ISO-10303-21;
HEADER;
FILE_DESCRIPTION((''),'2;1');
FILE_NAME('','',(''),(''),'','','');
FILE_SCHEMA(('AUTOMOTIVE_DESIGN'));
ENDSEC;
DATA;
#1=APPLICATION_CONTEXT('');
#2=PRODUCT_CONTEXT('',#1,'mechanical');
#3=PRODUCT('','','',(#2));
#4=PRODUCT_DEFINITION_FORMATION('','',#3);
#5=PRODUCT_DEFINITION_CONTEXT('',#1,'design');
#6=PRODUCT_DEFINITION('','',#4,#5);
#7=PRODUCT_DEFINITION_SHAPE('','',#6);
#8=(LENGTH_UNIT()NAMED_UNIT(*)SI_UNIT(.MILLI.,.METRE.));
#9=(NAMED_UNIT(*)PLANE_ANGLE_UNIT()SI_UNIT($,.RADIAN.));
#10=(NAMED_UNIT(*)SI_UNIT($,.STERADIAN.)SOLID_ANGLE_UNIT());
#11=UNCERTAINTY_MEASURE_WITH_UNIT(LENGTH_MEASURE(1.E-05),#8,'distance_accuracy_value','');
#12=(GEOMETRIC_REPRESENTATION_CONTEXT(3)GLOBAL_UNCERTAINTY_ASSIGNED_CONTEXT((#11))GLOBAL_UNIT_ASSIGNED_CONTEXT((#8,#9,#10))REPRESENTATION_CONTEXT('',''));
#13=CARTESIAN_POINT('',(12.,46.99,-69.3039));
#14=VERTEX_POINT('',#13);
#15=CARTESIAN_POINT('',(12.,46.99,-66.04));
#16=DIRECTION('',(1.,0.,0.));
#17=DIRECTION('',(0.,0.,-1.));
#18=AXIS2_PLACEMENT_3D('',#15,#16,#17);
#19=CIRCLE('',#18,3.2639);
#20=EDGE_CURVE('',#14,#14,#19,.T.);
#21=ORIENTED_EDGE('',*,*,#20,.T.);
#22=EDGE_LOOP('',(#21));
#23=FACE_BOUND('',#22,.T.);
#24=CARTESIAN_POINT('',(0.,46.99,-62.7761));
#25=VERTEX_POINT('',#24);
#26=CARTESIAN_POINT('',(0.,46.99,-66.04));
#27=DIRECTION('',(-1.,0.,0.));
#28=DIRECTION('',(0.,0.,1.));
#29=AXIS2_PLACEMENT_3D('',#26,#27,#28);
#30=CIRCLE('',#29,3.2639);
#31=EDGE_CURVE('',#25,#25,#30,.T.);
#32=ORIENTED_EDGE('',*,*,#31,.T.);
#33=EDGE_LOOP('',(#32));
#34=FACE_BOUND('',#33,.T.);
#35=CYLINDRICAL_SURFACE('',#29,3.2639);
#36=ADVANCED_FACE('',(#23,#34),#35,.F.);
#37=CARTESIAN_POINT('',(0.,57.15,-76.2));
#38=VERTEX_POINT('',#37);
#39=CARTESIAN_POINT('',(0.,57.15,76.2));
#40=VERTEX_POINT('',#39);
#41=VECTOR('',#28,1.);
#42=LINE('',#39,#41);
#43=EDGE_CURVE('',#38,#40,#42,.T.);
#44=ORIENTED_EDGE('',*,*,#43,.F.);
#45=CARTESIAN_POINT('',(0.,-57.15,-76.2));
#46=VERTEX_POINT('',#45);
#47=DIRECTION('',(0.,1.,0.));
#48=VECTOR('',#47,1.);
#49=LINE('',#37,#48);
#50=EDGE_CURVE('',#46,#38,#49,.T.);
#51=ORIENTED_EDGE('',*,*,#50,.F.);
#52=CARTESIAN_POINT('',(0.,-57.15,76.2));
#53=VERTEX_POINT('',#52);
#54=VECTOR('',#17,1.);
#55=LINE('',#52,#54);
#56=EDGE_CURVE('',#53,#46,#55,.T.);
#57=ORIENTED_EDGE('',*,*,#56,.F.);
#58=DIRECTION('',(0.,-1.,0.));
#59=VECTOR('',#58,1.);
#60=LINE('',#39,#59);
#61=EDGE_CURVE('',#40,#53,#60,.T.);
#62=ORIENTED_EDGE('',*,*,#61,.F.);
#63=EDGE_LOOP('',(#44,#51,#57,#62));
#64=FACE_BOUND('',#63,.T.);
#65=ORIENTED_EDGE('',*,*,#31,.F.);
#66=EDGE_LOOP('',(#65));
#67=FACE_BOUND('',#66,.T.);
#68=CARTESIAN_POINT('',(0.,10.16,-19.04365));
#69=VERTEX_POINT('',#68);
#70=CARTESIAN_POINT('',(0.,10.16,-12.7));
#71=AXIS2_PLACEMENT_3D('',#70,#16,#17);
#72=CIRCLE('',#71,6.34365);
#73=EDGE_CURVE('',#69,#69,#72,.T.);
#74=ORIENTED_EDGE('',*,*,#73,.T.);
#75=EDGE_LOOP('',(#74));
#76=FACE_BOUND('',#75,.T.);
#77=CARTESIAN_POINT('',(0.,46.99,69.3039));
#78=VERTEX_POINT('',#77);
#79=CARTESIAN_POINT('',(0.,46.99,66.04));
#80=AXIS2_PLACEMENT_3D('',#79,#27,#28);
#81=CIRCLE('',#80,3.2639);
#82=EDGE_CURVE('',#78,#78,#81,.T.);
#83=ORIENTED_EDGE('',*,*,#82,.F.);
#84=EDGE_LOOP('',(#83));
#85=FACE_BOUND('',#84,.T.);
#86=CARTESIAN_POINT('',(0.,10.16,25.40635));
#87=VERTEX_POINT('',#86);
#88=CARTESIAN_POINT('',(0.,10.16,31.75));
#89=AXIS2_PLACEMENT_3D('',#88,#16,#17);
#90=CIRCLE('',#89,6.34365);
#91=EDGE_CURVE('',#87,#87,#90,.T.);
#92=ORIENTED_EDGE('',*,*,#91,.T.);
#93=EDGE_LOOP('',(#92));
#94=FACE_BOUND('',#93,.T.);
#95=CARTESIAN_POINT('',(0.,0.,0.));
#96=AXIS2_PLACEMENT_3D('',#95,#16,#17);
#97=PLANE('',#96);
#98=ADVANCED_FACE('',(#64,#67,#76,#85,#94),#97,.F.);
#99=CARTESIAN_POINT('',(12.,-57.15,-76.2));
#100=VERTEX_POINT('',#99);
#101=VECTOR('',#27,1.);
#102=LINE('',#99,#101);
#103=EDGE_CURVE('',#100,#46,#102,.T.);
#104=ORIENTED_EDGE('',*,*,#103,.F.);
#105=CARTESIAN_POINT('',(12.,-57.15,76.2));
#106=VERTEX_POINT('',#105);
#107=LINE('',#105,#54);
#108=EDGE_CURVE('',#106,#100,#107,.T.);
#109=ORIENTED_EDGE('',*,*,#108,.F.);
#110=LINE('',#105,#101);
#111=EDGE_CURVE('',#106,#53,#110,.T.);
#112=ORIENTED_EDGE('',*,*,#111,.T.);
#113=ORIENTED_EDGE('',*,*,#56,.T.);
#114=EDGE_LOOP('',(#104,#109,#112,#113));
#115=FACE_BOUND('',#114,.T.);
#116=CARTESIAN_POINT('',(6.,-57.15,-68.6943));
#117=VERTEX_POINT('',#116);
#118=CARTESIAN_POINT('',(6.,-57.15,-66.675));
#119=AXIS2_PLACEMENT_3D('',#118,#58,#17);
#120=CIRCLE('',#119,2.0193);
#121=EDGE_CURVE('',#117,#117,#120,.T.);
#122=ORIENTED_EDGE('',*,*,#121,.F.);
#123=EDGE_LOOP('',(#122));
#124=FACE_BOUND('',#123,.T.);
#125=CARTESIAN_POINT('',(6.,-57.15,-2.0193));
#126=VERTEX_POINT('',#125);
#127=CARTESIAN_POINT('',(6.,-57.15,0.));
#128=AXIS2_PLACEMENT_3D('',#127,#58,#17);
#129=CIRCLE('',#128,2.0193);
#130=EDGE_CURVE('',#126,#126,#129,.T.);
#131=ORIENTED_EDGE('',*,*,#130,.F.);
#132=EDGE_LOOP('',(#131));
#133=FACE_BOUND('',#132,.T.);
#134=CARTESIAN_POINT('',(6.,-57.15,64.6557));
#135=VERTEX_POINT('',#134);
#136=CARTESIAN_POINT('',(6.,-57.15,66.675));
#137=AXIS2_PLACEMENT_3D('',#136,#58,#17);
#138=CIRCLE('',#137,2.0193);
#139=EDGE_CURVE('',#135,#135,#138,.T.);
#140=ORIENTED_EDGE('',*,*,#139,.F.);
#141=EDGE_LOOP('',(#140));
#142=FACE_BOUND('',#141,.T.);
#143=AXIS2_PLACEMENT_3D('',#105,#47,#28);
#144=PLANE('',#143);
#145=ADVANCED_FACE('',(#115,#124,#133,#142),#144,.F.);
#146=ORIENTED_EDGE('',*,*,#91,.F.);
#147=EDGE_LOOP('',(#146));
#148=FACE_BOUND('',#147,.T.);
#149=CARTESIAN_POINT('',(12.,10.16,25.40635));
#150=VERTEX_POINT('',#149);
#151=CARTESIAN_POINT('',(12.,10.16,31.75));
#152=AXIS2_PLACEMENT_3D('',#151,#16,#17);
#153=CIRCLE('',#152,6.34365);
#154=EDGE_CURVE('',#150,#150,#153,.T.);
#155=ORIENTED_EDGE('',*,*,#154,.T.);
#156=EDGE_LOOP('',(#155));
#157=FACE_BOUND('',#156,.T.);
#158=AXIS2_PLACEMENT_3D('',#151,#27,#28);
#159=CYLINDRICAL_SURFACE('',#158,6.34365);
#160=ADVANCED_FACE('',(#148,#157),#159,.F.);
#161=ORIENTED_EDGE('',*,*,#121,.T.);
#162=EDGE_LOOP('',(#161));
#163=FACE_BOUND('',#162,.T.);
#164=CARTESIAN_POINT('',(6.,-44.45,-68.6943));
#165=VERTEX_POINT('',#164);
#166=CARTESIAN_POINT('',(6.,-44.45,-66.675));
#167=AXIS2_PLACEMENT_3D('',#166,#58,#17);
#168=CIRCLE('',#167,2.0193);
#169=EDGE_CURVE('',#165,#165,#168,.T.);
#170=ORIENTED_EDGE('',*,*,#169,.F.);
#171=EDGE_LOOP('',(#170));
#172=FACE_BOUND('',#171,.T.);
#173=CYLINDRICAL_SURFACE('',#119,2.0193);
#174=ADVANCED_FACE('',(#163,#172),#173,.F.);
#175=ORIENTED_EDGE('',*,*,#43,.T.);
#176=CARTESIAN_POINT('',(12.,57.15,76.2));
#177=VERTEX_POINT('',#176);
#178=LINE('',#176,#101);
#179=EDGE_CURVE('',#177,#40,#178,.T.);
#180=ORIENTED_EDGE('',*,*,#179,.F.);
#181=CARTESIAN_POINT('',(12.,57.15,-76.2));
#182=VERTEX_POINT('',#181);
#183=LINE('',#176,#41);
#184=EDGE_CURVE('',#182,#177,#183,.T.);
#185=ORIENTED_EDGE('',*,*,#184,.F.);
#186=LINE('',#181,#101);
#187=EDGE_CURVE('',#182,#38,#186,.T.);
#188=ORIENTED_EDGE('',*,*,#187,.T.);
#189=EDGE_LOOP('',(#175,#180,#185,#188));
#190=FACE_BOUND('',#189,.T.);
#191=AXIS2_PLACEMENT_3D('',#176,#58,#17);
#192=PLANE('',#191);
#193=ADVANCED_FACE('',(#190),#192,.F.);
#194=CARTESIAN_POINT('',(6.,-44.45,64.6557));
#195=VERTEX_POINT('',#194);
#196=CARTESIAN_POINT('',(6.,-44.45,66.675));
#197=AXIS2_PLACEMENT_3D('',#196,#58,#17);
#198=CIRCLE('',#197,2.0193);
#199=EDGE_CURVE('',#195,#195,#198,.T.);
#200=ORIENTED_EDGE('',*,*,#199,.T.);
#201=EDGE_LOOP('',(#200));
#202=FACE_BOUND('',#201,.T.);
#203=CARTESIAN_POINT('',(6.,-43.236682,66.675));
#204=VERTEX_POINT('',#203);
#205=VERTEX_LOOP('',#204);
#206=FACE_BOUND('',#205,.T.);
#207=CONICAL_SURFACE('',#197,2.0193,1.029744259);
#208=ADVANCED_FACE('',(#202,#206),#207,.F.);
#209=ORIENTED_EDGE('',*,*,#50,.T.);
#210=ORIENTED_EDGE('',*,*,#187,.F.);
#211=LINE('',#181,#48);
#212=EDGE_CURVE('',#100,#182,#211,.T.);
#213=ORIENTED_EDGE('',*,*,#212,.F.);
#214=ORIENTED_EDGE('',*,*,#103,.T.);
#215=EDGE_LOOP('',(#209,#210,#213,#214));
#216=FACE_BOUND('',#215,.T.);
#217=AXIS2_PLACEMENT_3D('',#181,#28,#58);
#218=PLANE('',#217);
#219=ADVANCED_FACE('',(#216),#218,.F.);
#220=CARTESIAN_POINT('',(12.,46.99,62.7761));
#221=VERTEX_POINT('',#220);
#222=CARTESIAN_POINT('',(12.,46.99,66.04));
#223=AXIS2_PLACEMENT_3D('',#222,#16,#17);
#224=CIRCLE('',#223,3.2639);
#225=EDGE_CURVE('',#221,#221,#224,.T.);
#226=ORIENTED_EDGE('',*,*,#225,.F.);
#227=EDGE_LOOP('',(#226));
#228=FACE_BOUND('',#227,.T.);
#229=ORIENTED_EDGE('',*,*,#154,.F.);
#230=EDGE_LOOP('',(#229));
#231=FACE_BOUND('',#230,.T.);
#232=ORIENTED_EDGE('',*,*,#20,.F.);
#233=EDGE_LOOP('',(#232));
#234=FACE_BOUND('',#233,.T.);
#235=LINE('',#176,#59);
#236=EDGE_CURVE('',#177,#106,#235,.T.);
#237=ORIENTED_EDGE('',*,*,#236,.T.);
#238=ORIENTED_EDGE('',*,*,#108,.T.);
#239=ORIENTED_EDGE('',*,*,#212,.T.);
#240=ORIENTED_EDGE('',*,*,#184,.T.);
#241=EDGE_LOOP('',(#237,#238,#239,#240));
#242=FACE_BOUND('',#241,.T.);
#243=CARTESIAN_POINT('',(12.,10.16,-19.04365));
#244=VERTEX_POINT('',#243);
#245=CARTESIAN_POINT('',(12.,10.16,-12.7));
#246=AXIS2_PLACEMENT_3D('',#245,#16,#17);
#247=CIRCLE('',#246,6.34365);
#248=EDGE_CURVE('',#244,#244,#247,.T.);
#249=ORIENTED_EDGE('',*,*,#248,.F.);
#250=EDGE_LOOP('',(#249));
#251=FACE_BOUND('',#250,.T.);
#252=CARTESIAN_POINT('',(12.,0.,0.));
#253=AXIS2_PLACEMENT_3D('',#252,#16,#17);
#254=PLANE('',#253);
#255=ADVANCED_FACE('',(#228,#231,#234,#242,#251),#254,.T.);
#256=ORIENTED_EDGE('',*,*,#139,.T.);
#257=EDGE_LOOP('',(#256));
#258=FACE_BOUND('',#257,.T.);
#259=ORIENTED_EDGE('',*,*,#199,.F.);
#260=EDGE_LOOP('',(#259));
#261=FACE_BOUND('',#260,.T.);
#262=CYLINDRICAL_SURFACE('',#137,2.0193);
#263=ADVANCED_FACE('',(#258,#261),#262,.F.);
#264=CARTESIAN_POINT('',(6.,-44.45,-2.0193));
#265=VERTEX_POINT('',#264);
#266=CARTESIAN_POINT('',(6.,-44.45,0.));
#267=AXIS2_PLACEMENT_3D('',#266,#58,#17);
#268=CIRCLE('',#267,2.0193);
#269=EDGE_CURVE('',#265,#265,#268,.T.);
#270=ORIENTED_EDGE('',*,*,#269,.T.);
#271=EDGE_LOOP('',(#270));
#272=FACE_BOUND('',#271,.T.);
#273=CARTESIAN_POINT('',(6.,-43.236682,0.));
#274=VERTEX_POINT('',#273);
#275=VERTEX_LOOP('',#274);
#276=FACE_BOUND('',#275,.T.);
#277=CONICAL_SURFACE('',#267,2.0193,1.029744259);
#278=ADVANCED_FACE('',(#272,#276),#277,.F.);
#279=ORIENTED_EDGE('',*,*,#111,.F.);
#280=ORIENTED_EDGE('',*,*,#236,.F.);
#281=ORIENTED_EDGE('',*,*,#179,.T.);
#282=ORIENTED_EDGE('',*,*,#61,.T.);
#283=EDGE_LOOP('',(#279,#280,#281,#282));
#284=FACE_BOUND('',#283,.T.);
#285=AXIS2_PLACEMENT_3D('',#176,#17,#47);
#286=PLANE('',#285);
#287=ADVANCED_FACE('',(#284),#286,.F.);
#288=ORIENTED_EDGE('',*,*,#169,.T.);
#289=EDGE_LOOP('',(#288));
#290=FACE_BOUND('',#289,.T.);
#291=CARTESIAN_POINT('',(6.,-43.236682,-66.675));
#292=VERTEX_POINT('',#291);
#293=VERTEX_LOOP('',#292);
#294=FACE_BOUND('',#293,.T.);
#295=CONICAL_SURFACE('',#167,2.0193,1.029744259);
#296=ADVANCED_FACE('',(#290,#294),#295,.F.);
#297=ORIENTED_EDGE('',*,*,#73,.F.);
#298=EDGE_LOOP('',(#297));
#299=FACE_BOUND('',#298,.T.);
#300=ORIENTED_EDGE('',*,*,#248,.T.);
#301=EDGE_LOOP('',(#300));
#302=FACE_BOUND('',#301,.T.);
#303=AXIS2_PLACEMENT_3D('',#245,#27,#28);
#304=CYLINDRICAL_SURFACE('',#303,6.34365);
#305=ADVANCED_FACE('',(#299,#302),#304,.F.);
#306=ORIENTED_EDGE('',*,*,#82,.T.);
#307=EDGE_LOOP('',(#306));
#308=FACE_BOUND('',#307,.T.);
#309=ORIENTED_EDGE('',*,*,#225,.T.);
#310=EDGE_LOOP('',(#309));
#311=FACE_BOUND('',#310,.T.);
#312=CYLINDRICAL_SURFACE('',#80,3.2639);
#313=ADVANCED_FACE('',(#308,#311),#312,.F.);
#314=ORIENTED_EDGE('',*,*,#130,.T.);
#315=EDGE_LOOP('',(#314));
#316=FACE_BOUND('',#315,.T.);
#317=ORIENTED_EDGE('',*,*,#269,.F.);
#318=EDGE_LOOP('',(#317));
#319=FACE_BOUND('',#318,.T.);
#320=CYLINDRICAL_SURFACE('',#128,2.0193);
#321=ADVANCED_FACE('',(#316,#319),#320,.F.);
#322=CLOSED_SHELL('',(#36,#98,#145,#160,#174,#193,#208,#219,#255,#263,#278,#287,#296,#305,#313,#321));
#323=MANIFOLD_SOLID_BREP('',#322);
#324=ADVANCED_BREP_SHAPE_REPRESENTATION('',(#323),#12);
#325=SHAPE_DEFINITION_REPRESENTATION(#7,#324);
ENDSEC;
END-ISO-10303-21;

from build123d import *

# Parameters (mm, degrees)
SKETCH1_W                      = 152.4
SKETCH1_H                      = 114.3
SKETCH1_R                      = 6.34365
BOSS_EXTRUDE1_DEPTH            = 12
TAP_DRILL_FOR_10_32_TAP1_D     = 4.0386
TAP_DRILL_FOR_10_32_TAP1_DEPTH = 12.7
TAP_DRILL_FOR_10_32_TAP1_TIP   = 1.213317848
F_1_4_CLEARANCE_HOLE1_D        = 6.5278
F_1_4_CLEARANCE_HOLE1_DEPTH    = 12.7
F_1_4_CLEARANCE_HOLE1_TIP      = 1.961148974


with BuildPart() as part:
    # Sketch1 → Boss-Extrude1 (new body)
    with BuildSketch(Plane(origin=(0, 0, 0), x_dir=(0, 0, -1), z_dir=(1, 0, 0))):
        Rectangle(SKETCH1_W, SKETCH1_H)
        with Locations((-31.75, 10.16)):
            Circle(SKETCH1_R, mode=Mode.SUBTRACT)
        with Locations((12.7, 10.16)):
            Circle(SKETCH1_R, mode=Mode.SUBTRACT)
    extrude(amount=BOSS_EXTRUDE1_DEPTH)

    # Tap Drill for #10-32 Tap1
    with Locations(Plane(origin=(0, -57.15, 0), x_dir=(-1, 0, 0), z_dir=(0, -1, 0))):
        with Locations((-6, -66.675), (-6, 0), (-6, 66.675)):
            Hole(TAP_DRILL_FOR_10_32_TAP1_D / 2, depth=TAP_DRILL_FOR_10_32_TAP1_DEPTH)
            with Locations((0, 0, -(TAP_DRILL_FOR_10_32_TAP1_DEPTH + TAP_DRILL_FOR_10_32_TAP1_TIP / 2))):  # 118° drill point
                Cone(0, TAP_DRILL_FOR_10_32_TAP1_D / 2, TAP_DRILL_FOR_10_32_TAP1_TIP, mode=Mode.SUBTRACT)

    # 1/4 Clearance Hole1
    with Locations(Plane.ZY):
        with Locations((-66.04, 46.99), (66.04, 46.99)):
            Hole(F_1_4_CLEARANCE_HOLE1_D / 2, depth=F_1_4_CLEARANCE_HOLE1_DEPTH)
            with Locations((0, 0, -(F_1_4_CLEARANCE_HOLE1_DEPTH + F_1_4_CLEARANCE_HOLE1_TIP / 2))):  # 118° drill point
                Cone(0, F_1_4_CLEARANCE_HOLE1_D / 2, F_1_4_CLEARANCE_HOLE1_TIP, mode=Mode.SUBTRACT)


solid = part.part
